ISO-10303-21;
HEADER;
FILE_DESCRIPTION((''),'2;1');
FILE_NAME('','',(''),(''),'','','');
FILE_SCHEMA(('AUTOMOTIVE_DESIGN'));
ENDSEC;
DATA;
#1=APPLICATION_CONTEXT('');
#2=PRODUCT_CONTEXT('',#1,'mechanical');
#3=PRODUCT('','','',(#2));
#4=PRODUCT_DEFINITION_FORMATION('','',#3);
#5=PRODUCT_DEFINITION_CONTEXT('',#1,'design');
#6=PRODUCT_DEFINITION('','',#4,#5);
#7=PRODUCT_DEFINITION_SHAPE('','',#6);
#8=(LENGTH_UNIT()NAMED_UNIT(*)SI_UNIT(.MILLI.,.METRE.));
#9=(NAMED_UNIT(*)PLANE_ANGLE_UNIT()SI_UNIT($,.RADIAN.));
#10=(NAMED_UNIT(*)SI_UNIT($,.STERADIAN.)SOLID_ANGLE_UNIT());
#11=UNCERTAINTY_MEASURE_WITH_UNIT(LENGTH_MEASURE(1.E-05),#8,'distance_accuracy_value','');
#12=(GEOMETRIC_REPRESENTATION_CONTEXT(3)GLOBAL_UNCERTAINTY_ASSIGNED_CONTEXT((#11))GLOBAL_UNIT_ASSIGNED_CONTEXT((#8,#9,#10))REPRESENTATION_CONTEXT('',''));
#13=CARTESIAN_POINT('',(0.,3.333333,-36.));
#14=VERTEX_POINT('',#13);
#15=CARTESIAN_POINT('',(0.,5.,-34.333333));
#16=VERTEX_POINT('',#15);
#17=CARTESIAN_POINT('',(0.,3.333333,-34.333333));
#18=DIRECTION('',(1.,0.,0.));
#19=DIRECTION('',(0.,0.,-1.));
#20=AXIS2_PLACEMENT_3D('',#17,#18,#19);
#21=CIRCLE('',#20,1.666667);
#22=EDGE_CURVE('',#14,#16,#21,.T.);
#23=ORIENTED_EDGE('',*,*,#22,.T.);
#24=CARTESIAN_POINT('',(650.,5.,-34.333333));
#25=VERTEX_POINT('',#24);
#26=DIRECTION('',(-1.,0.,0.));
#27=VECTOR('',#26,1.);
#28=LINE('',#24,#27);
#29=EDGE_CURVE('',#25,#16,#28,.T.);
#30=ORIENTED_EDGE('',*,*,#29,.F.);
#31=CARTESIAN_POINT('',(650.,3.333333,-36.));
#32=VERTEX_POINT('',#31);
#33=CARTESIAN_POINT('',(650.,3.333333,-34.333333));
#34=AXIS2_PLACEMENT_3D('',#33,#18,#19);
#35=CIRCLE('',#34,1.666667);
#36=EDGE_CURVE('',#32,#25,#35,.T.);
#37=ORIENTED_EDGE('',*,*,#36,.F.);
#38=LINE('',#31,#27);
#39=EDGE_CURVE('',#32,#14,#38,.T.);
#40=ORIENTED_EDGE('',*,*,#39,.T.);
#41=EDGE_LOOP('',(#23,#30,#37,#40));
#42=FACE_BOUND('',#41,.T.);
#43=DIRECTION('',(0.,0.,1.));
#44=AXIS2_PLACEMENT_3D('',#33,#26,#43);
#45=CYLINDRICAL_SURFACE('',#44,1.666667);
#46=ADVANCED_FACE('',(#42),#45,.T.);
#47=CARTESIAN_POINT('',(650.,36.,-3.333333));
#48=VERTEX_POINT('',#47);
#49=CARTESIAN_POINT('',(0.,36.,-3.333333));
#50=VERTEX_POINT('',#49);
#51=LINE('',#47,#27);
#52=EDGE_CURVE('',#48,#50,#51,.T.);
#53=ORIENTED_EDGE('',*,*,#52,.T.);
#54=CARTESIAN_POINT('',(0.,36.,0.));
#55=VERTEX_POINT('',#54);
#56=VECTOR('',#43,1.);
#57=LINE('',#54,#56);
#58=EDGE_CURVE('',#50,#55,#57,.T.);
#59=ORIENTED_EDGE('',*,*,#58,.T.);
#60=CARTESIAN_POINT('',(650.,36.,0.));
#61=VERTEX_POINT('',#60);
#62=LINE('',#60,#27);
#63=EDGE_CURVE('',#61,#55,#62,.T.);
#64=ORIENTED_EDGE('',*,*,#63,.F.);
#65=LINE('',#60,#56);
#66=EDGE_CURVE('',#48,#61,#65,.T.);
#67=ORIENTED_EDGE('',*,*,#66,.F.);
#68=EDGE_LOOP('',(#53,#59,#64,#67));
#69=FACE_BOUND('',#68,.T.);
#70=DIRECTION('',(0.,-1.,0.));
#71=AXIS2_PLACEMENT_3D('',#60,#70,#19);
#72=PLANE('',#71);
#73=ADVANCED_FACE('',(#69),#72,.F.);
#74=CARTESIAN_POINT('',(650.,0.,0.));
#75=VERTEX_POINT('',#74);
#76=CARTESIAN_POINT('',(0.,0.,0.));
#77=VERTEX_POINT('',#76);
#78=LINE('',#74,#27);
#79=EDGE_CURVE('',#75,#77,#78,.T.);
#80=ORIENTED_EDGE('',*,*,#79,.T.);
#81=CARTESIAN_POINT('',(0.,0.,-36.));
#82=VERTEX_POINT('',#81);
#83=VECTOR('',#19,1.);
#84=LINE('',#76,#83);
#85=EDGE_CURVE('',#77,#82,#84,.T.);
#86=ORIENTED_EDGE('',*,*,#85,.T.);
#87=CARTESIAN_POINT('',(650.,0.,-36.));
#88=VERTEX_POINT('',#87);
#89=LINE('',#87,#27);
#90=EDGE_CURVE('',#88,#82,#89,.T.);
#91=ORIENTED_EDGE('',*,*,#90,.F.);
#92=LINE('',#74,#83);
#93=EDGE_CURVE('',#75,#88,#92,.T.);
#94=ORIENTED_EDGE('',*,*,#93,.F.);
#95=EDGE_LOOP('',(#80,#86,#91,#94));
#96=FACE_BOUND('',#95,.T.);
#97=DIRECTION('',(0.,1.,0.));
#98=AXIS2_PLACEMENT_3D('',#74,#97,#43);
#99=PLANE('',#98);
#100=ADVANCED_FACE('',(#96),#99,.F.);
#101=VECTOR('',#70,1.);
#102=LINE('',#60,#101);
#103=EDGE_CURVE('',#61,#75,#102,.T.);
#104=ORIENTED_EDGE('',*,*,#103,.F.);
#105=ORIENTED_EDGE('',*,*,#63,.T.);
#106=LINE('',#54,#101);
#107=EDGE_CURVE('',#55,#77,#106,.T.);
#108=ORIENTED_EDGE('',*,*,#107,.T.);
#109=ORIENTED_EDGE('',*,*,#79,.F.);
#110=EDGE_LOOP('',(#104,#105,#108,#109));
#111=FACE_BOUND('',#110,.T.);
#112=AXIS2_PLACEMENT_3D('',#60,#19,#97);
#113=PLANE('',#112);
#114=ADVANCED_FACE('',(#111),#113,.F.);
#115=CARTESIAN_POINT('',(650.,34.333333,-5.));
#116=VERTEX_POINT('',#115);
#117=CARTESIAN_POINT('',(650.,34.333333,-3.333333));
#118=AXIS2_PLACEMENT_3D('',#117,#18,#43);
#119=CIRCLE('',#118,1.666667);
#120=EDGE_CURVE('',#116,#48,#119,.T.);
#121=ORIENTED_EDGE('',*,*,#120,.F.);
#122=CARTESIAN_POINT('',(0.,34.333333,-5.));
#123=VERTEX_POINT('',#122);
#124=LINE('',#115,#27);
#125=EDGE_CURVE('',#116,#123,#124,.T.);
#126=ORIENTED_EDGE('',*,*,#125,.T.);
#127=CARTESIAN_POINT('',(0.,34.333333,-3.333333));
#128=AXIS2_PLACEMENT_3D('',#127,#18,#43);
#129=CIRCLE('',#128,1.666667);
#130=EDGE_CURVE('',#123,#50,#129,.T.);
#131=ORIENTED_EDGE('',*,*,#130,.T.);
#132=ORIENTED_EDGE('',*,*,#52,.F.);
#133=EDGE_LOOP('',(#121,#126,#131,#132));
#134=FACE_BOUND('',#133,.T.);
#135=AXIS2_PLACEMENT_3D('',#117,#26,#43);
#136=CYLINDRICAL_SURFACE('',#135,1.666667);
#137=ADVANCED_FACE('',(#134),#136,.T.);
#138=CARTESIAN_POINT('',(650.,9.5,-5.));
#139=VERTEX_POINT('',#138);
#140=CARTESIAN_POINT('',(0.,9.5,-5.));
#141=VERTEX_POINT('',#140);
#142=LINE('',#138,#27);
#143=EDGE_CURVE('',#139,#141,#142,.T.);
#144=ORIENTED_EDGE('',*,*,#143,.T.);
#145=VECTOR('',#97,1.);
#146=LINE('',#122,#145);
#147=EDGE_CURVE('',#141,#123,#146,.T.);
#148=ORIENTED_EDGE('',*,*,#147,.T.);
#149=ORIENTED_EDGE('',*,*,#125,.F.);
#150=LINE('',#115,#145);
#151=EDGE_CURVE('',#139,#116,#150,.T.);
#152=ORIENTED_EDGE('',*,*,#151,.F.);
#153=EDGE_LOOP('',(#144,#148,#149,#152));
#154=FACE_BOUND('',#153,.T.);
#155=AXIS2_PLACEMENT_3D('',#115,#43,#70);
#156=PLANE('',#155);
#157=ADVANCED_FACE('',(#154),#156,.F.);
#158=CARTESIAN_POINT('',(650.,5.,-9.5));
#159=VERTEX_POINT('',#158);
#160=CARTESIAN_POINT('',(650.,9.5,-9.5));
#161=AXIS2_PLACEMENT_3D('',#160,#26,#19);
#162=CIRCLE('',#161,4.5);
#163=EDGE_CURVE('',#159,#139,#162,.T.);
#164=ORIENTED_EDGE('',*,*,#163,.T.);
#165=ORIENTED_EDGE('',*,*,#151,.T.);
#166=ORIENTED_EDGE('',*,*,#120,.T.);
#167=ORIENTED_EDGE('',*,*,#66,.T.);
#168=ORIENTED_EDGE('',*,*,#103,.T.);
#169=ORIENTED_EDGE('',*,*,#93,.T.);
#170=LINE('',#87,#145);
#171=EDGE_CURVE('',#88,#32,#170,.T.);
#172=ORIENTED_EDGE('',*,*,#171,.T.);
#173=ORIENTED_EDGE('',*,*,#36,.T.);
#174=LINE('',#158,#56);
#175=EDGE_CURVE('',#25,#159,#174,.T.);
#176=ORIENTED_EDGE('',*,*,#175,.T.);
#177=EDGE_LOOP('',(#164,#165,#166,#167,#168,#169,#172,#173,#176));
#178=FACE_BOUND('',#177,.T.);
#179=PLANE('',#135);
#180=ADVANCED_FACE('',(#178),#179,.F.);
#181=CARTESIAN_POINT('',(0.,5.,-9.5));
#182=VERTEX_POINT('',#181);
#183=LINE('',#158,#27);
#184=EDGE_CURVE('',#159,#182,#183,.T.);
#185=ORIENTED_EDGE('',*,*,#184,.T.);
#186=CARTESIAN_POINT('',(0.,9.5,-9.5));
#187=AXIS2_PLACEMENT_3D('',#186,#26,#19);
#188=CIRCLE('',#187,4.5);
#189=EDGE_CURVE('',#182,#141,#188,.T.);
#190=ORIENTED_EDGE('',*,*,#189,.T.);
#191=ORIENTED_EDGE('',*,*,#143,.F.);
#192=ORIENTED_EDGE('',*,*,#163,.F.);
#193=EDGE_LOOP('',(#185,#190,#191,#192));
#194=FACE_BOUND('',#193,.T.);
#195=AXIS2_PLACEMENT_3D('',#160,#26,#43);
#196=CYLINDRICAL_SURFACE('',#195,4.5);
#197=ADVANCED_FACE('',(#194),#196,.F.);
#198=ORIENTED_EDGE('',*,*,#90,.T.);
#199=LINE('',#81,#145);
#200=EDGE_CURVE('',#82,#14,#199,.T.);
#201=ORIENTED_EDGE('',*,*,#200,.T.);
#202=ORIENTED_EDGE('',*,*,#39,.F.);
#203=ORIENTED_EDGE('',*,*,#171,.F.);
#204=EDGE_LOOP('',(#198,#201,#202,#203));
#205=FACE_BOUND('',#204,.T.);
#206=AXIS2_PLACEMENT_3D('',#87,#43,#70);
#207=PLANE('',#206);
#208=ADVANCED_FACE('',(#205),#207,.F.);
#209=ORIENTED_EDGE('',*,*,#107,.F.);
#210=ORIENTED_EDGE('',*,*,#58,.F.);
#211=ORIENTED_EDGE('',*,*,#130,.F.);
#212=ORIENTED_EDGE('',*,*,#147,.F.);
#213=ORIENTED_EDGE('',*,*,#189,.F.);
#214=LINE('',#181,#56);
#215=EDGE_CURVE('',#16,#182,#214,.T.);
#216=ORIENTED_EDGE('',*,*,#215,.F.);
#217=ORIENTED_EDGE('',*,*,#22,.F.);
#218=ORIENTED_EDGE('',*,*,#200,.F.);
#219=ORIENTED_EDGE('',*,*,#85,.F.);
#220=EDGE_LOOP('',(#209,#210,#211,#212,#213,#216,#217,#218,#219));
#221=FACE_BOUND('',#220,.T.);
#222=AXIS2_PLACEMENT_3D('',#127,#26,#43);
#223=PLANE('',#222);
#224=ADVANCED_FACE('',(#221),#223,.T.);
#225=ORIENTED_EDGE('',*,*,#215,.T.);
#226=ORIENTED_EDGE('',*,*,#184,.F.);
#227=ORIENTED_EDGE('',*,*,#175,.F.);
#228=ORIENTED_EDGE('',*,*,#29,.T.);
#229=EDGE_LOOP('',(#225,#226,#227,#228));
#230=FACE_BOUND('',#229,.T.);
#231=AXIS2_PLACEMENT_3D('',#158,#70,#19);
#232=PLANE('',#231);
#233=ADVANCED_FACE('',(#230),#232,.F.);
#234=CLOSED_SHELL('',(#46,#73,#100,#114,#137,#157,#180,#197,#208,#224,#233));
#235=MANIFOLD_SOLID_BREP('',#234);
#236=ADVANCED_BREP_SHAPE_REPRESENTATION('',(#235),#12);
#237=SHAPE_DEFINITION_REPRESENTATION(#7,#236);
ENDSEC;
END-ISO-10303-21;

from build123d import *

# Parameters (mm, degrees)
L_ANGLE_EQUAL_3_6X5_1_DEPTH = 650


with BuildPart() as part:
    # Sketch1 → L angle (equal) 3.6X5(1) (new body)
    with BuildSketch(Plane.YZ):
        with BuildLine():
            Line((36, 0), (0, 0))
            Line((0, 0), (0, -36))
            Line((0, -36), (3.333333333, -36))
            ThreePointArc((3.333333333, -36), (4.511844635, -35.511844635), (5, -34.333333333))
            Line((5, -34.333333333), (5, -9.5))
            ThreePointArc((5, -9.5), (6.318019485, -6.318019485), (9.5, -5))
            Line((9.5, -5), (34.333333333, -5))
            ThreePointArc((34.333333333, -5), (35.511844635, -4.511844635), (36, -3.333333333))
            Line((36, -3.333333333), (36, 0))
        make_face()
    extrude(amount=L_ANGLE_EQUAL_3_6X5_1_DEPTH)


solid = part.part
